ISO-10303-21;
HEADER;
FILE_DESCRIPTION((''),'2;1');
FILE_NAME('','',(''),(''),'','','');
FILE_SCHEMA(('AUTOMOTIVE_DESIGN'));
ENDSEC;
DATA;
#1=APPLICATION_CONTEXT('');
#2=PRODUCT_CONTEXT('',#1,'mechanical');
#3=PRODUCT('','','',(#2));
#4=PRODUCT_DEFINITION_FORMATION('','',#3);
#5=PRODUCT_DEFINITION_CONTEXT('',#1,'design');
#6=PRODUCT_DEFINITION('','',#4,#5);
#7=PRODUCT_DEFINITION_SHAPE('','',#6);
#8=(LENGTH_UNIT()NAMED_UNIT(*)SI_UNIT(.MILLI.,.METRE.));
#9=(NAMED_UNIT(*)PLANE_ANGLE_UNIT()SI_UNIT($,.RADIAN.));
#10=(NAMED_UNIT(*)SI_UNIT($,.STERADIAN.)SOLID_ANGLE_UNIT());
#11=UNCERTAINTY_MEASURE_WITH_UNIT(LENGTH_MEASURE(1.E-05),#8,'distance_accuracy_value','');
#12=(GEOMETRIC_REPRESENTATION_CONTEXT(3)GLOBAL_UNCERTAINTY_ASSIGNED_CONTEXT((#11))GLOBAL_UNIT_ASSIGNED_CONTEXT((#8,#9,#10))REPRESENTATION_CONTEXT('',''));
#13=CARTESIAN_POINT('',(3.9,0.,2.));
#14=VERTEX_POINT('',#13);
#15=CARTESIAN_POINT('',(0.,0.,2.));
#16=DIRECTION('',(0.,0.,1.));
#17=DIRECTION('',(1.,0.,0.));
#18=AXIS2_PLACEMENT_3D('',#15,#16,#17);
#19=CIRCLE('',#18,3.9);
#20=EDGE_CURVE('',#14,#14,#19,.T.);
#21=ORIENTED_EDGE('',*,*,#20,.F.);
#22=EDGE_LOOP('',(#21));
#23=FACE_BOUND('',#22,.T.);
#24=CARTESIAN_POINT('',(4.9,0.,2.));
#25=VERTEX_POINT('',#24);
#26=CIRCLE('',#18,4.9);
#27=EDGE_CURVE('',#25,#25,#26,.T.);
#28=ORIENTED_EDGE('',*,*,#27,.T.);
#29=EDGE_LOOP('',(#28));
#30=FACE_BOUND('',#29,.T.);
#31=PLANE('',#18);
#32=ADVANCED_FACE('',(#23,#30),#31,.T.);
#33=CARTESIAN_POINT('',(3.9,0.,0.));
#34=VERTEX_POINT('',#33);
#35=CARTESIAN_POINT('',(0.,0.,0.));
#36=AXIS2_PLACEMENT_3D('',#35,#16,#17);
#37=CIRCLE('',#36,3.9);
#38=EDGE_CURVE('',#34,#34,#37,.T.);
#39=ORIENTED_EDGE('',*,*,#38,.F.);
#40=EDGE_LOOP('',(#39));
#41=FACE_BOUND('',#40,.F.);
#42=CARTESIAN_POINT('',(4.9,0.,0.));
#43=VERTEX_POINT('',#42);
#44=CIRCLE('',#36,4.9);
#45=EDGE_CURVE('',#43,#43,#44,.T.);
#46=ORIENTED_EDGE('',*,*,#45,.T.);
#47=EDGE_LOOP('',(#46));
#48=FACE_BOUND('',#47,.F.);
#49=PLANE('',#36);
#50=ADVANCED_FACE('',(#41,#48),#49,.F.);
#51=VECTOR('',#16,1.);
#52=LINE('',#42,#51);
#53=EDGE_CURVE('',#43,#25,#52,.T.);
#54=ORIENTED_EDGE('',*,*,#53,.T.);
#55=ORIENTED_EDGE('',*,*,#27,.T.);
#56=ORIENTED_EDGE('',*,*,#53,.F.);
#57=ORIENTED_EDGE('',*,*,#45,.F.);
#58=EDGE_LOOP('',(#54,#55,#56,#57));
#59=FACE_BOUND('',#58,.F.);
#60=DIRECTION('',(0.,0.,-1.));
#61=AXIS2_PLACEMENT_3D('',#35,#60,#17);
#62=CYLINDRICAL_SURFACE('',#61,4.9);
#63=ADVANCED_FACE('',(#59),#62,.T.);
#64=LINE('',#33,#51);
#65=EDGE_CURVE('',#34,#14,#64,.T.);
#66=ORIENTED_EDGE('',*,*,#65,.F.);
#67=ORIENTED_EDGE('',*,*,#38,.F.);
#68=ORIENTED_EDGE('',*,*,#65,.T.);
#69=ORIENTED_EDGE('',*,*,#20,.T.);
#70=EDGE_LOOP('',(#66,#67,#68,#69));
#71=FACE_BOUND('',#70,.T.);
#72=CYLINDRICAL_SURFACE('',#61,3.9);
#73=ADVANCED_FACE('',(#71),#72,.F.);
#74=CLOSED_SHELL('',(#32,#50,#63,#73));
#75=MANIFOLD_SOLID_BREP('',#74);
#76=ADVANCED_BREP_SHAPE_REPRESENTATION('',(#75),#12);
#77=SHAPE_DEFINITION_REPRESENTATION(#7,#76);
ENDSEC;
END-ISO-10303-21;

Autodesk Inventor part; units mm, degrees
ref_plane "YZ Plane" through (0, 0, 0) normal (1, 0, 0) x (0, 1, 0)
ref_plane "XZ Plane" through (0, 0, 0) normal (0, 1, 0) x (-1, 0, 0)
ref_plane "XY Plane" through (0, 0, 0) normal (0, 0, 1) x (1, 0, 0)
sketch "Sketch1" plane through (0, 0, 0) normal (0, 0, 1) x (1, 0, 0)
  circle A0 centre (0, 0) radius 3.9
  circle A1 centre (0, 0) radius 4.9
  dimension "d0" = 7.8
  dimension "d1" = 1
extrude "Extrusion1" add sketch "Sketch1" along normal blind 2
equation "\"d0\" = IG_shaftDiameter + W_holesClearance"
equation "\"d1\" = BR_bearingThickness"
equation "\"d2\" = W_wallThickness"
equation "\"Wheel_Related_W_\" = 0"
equation "\"W_innerDepth\" = 4"
equation "\"W_wallThickness\" = 2"
equation "\"W_holesClearance\" = 0.3"
equation "\"W_outerGearHoleDiameter\" = 5.6"
equation "\"W_innerGearHoleDiameter\" = 10.1"
equation "\"TempSpotReserved7\" = 0"
equation "\"TempSpotReserved8\" = 0"
equation "\"TempSpotReserved9\" = 0"
equation "\"TempSpotReserved10\" = 0"
equation "\"Inner_Gear_Related_IG_\" = 0"
equation "\"IG_shaftDiameter\" = 7.5"
equation "\"IG_shaftLength\" = 15"
equation "\"IG_gearThickness\" = 2"
equation "\"IG_ratioToOuterGear\" = 0.75"
equation "\"TempSpotReserved16\" = 0"
equation "\"TempSpotReserved17\" = 0"
equation "\"TempSpotReserved18\" = 0"
equation "\"TempSpotReserved19\" = 0"
equation "\"TempSpotReserved20\" = 0"
equation "\"Outer_Gear_Related_OG_\" = 0"
equation "\"OG_distanceFromCenter\" = 23.33333"
equation "\"OG_shaftDiameter\" = 5"
equation "\"OG_gearDiameter\" = 26.66667"
equation "\"OG_shaftLength\" = 7"
equation "\"OG_gearThickness\" = 2"
equation "\"TempSpotReserved27\" = 0"
equation "\"TempSpotReserved28\" = 0"
equation "\"TempSpotReserved29\" = 0"
equation "\"TempSpotReserved30\" = 0"
equation "\"Leg_Extensions_Related_LE_\" = 0"
equation "\"LE_baseDiameter\" = 5"
equation "\"LE_maxLength\" = 24.6522"
equation "\"LE_thickness\" = 2.5"
equation "\"TempSpotReserved47\" = 0"
equation "\"B_bearingThickness\" = 1"
equation "\"TempSpotReserved50\" = 0"
equation "\"TempSpotReserved43\" = 0"
equation "\"TempSpotReserved45\" = 0"
equation "\"Thisisatest\" = 25.4"
equation "\"TempSpotReserved48\" = 0"
equation "\"TempSpotReserved46\" = 0"
equation "\"TempSpotReserved44\" = 0"
equation "\"TempSpotReserved49\" = 0"
equation "\"TempSpotReserved35\" = 0"
equation "\"TempSpotReserved39\" = 0"
equation "\"TempSpotReserved38\" = 0"
equation "\"TempSpotReserved37\" = 0"
equation "\"LE_offsetAboveOuterGear\" = 0"
equation "\"TempSpotReserved36\" = 0"
equation "\"TempSpotReserved40\" = 0"
equation "\"Bearing_Related_B_\" = 0"
equation "\"TempSpotReserved42\" = 0"
equation "\"OG_skirtOffset\" = 1"
equation "\"OG_skirtThickness\" = 1"
equation "\"IG_skirtThickness\" = 2"
equation "\"IG_extentionLength\" = 18.33333"
equation "\"IG_extentionThickness\" = 3"
equation "\"IG_slitWidth\" = 4"
equation "\"IG_slitlength\" = 8"
equation "\"IG_slitDistanceFromCenterHole\" = 8"
equation "\"IG_slitClearance\" = 0.15"
equation "\"Reserved_10\" = 0"
equation "\"Reserved_9\" = 0"
equation "\"Reserved_11\" = 0"
equation "\"Reserved_12\" = 0"
equation "\"Reserved_8\" = 0"
equation "\"Reserved_7\" = 0"
equation "\"Reserved_26\" = 0"
equation "\"Reserved_20\" = 0"
equation "\"Reserved_22\" = 0"
equation "\"Reserved_23\" = 0"
equation "\"Reserved_25\" = 0"
equation "\"Reserved_24\" = 0"
equation "\"Reserved_21\" = 0"
equation "\"Reserved_19\" = 0"
equation "\"Reserved_27\" = 0"
equation "\"Reserved_14\" = 0"
equation "\"Reserved_15\" = 0"
equation "\"Reserved_16\" = 0"
equation "\"Reserved_13\" = 0"
equation "\"Reserved_17\" = 0"
equation "\"Reserved_18\" = 0"
equation "\"Bearing_Related_BR_\" = 0"
equation "\"BR_bearingThickness\" = 1"
equation "\"Block_Related_BL_\" = 0"
equation "\"BL_width\" = 3.85"
equation "\"BL_length\" = 7.85"
properties part number "bearing"
